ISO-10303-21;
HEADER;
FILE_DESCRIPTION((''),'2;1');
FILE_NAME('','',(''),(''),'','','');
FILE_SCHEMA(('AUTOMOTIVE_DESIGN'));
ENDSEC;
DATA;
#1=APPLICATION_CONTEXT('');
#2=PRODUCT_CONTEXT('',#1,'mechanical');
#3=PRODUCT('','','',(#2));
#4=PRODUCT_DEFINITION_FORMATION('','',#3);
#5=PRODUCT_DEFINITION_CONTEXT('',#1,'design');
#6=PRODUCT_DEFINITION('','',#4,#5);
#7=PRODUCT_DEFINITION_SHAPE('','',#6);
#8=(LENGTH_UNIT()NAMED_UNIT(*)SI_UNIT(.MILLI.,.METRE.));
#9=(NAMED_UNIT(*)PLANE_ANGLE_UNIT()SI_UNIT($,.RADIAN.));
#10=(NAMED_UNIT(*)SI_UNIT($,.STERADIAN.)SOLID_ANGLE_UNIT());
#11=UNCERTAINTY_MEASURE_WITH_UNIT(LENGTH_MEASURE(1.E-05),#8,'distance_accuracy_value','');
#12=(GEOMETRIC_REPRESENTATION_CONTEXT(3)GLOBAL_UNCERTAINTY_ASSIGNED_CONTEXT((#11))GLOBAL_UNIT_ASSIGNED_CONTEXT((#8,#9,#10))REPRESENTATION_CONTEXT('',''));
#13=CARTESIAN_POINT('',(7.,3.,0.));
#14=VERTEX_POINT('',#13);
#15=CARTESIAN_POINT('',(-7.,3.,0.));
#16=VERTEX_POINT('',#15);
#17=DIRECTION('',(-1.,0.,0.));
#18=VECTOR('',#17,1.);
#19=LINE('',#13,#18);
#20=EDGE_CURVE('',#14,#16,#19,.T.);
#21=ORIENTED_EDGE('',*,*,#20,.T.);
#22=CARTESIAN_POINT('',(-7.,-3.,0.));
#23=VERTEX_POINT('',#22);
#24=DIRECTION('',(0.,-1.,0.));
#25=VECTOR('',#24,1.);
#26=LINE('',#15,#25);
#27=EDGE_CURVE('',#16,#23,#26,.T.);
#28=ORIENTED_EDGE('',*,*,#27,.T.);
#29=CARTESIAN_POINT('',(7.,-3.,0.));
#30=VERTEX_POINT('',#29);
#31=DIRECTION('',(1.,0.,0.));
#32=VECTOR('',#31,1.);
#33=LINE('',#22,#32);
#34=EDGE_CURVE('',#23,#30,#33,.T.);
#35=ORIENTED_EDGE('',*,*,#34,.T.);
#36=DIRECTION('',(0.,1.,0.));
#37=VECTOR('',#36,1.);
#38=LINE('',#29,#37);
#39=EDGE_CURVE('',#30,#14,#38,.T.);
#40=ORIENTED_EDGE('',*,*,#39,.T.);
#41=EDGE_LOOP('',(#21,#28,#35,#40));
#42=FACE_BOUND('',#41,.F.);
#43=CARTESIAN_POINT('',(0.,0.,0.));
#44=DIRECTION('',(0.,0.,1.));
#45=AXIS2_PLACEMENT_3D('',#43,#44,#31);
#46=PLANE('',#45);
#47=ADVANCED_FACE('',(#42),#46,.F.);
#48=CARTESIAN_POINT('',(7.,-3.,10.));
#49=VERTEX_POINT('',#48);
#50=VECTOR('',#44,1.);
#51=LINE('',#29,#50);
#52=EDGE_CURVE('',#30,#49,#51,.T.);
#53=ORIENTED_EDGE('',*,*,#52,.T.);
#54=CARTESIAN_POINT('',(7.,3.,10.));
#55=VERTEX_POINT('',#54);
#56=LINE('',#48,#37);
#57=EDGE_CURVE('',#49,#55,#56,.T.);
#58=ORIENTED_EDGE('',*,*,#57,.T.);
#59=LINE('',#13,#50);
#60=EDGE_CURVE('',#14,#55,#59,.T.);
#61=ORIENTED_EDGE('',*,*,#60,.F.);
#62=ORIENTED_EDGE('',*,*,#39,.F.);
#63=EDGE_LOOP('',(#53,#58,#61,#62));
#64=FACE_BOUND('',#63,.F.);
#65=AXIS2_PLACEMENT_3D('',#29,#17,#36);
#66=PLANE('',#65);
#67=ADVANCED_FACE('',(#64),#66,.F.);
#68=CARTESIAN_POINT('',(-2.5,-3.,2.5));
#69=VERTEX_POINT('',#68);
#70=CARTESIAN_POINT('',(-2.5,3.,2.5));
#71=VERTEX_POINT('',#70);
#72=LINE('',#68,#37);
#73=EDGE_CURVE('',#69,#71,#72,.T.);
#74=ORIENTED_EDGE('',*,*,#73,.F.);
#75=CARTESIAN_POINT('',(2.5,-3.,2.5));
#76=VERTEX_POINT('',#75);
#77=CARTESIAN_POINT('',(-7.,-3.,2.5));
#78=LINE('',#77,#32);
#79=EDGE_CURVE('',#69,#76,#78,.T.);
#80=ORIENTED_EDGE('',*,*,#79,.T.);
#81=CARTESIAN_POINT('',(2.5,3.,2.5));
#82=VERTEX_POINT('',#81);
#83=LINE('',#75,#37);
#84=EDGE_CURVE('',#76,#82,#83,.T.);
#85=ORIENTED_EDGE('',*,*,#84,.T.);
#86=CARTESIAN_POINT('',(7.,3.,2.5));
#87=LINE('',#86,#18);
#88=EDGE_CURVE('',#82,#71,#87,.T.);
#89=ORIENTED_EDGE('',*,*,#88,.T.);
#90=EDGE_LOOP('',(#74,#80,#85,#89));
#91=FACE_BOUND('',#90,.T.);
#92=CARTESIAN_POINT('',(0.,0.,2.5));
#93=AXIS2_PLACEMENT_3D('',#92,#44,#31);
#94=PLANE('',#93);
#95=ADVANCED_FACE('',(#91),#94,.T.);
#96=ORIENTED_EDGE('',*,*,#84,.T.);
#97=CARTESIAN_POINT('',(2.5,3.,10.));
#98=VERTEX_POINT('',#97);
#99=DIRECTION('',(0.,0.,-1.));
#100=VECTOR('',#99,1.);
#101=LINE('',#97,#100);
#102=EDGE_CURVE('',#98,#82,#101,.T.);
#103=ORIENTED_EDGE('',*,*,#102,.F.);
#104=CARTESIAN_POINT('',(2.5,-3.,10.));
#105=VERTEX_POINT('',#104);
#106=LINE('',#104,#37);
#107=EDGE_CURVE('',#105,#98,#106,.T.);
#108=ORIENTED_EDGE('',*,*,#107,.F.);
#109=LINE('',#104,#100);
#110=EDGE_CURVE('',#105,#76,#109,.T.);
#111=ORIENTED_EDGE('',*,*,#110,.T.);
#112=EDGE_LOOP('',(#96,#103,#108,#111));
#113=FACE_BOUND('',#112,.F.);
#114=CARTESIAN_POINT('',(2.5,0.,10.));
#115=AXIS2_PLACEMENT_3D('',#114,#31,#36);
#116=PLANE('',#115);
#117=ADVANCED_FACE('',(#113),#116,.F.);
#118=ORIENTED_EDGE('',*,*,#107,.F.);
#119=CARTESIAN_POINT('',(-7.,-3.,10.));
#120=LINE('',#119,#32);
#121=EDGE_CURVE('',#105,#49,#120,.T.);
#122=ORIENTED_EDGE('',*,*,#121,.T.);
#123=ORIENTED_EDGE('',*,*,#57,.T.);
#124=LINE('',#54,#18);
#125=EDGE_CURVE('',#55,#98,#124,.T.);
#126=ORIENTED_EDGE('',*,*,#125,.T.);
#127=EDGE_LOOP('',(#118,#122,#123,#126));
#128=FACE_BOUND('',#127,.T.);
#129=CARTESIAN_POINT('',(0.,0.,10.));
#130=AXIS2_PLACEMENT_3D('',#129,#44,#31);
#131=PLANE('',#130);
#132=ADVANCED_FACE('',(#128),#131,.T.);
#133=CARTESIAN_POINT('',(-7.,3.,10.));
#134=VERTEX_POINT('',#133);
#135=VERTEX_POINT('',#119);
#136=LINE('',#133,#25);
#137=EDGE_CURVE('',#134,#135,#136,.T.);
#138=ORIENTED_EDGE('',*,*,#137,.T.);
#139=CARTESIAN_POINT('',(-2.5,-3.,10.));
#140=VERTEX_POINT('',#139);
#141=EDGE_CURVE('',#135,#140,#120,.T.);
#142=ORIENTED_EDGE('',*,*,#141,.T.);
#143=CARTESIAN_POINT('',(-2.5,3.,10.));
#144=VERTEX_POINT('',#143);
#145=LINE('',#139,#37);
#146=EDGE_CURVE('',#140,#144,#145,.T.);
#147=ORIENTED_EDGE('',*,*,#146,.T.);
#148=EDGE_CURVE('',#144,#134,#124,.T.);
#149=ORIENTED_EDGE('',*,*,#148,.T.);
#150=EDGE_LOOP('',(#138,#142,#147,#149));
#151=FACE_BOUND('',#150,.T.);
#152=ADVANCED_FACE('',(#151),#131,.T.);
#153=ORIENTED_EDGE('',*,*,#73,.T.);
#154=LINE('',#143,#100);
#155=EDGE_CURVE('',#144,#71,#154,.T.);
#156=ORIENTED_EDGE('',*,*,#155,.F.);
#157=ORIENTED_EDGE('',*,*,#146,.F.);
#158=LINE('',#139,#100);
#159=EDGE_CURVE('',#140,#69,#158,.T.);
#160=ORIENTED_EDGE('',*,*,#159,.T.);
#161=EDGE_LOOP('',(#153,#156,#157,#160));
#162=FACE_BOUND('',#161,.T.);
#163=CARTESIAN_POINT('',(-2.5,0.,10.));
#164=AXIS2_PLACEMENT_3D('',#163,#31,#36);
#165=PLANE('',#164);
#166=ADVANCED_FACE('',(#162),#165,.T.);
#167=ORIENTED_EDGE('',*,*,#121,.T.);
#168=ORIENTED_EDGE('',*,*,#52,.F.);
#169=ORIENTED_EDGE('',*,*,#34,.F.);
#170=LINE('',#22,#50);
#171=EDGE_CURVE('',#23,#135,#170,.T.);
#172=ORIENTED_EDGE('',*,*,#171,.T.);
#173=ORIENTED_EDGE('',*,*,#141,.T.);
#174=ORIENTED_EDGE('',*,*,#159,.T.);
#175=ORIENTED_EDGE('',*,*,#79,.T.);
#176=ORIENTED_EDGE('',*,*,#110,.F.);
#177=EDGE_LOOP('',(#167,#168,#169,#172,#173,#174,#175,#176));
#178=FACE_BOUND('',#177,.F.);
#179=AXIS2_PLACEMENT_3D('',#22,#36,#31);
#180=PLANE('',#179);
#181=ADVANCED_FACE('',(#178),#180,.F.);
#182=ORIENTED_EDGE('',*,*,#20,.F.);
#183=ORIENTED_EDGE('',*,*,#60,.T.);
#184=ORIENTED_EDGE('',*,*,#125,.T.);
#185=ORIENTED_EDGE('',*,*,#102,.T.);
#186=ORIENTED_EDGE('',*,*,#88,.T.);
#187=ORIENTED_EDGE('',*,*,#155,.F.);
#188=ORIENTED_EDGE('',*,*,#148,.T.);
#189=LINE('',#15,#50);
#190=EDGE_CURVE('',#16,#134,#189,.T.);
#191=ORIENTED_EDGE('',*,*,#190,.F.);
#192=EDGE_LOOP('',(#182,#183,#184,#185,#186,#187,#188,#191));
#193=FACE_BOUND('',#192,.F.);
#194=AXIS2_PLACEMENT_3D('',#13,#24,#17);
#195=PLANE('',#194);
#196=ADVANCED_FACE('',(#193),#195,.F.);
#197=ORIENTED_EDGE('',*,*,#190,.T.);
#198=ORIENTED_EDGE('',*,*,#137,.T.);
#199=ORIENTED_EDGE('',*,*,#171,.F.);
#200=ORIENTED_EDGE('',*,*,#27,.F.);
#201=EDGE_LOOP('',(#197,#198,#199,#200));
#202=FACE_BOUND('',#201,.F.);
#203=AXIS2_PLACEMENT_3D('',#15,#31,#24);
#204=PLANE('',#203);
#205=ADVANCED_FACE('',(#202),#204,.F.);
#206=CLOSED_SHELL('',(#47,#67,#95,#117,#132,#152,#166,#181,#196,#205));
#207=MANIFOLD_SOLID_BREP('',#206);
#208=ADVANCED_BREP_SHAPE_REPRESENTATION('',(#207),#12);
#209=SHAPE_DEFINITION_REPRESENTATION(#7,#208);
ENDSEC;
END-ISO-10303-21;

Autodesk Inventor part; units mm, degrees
ref_plane "YZ Plane" through (0, 0, 0) normal (1, 0, 0) x (0, 1, 0)
ref_plane "XZ Plane" through (0, 0, 0) normal (0, 1, 0) x (-1, 0, 0)
ref_plane "XY Plane" through (0, 0, 0) normal (0, 0, 1) x (1, 0, 0)
sketch "Sketch1" plane through (0, 0, 0) normal (0, 0, 1) x (1, 0, 0)
  line L0 (-7, -3) -> (7, -3)
  line L1 (7, -3) -> (7, 3)
  line L2 (7, 3) -> (-7, 3)
  line L3 (-7, 3) -> (-7, -3)
  line L4 (-7, -3) -> (7, 3) construction
  line L5 (7, -3) -> (-7, 3) construction
  point P0 (0, 0)
  dimension "d0" = 14
  dimension "d1" = 6
extrude "Extrusion1" add sketch "Sketch1" along normal blind 10
sketch "Sketch2" plane through (0, 0, 10) normal (0, 0, 1) x (1, 0, 0)
  line L0 (-2.5, 0) -> (-2.5, 3)
  line L1 (7, 3) -> (-7, 3) projected
  line L2 (-2.5, 0) -> (-2.5, -3)
  line L3 (-7, -3) -> (7, -3) projected
  line L4 (2.5, 0) -> (2.5, 3)
  line L5 (2.5, 0) -> (2.5, -3)
  point P0 (0, 0)
extrude "Extrusion2" cut sketch "Sketch2" against normal blind 7.5
properties part number "opto"
